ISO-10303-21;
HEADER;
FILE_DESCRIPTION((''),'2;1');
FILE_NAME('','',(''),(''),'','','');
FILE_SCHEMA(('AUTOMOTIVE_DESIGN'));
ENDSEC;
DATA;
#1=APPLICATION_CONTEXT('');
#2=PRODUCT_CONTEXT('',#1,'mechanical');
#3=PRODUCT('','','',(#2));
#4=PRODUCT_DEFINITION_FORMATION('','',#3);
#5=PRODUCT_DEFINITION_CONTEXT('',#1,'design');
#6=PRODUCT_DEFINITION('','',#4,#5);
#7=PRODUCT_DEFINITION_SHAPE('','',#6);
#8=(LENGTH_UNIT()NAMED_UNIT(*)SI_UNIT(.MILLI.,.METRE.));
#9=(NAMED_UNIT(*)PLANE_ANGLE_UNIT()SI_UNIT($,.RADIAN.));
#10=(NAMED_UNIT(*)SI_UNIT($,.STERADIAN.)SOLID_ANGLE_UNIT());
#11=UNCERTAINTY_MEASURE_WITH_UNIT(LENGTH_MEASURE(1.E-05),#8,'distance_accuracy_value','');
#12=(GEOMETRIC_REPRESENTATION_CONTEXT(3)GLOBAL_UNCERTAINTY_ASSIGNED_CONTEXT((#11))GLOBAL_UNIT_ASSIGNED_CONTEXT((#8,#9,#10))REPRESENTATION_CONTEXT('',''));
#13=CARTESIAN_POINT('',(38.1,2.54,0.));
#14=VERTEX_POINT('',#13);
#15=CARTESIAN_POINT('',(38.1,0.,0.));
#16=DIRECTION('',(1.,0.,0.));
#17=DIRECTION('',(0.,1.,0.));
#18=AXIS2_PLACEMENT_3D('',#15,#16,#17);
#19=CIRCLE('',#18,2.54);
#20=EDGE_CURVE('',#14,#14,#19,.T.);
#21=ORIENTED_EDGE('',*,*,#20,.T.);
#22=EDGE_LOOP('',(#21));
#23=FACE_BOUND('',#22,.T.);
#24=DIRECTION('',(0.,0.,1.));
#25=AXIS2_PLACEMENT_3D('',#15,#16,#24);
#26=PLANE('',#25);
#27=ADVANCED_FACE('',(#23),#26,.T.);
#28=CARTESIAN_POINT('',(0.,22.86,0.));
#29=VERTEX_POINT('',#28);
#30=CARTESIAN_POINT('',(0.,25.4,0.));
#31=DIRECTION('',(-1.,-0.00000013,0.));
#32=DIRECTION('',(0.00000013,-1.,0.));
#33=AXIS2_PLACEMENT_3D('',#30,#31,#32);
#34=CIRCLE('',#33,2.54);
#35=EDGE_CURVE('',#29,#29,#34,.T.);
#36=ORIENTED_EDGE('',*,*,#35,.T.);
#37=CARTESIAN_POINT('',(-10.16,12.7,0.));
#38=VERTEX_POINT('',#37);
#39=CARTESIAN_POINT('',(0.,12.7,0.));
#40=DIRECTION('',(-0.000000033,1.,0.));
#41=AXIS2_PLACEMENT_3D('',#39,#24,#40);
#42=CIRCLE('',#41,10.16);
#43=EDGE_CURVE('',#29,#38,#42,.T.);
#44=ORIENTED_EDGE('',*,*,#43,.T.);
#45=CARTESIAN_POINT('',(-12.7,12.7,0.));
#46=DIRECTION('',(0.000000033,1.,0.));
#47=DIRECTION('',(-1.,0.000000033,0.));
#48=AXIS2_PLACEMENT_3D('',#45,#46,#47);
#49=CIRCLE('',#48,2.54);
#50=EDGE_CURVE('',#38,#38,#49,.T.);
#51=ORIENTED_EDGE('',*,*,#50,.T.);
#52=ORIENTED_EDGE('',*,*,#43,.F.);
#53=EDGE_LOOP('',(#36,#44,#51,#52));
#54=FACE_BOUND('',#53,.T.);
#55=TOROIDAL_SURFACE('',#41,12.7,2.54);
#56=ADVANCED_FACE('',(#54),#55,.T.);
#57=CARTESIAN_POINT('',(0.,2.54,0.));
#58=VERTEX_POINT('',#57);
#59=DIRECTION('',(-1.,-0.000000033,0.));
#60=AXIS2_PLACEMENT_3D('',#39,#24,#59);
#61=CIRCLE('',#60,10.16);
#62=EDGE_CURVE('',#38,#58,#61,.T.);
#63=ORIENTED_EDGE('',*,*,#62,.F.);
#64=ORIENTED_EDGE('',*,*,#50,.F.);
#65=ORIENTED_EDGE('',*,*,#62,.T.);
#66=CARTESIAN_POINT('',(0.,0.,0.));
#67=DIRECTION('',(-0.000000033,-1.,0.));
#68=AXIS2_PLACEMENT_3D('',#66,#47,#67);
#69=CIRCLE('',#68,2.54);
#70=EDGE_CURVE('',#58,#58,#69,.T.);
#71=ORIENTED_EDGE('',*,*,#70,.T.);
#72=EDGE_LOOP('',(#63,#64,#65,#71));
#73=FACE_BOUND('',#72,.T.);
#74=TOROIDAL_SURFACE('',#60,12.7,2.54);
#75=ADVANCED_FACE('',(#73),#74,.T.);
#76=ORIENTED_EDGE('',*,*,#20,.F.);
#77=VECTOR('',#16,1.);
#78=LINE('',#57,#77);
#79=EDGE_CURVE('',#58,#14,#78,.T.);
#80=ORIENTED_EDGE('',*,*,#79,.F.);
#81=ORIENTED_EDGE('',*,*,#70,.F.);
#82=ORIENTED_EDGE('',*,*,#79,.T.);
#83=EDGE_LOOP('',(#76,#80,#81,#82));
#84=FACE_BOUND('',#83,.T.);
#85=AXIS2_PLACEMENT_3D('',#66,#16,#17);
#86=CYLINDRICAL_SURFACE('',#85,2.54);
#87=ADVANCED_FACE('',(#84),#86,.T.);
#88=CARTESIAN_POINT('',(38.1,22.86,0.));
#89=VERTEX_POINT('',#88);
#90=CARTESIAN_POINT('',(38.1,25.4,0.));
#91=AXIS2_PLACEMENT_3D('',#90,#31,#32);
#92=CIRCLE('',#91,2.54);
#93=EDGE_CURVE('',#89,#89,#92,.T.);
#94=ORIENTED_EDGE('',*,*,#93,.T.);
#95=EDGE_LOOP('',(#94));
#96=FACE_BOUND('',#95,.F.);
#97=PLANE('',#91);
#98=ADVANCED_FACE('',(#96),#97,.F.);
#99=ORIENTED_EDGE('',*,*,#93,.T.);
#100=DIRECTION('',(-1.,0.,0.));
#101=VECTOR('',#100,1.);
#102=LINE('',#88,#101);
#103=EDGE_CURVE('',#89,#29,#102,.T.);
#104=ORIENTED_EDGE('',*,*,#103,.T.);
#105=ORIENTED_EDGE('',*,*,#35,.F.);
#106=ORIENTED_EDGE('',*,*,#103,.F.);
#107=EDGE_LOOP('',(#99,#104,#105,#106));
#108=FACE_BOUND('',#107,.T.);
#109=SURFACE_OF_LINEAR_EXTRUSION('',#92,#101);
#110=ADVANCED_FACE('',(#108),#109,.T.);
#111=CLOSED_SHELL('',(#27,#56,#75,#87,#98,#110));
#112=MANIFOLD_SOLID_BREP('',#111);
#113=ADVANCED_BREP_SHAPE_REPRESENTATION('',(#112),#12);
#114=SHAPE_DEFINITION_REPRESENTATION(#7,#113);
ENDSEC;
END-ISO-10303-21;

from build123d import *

# Parameters (mm, degrees)
F2_R = 2.54


with BuildPart() as f3:
    # F3: sweep along a path in F0
    with BuildLine(Plane.XY) as f3_path:
        Line((38.1, 25.4), (0, 25.4))
        ThreePointArc((0, 25.4), (-8.980256, 21.680256), (-12.7, 12.7))
        ThreePointArc((-12.7, 12.7), (-8.980256, 3.719744), (0, 0))
        Line((0, 0), (38.1, 0))
    # F2 (on offset) → F3 (sweep)
    with BuildSketch(Plane.YZ.offset(38.1)):
        Circle(F2_R)
    sweep(path=f3_path.line)


solid = f3.part
